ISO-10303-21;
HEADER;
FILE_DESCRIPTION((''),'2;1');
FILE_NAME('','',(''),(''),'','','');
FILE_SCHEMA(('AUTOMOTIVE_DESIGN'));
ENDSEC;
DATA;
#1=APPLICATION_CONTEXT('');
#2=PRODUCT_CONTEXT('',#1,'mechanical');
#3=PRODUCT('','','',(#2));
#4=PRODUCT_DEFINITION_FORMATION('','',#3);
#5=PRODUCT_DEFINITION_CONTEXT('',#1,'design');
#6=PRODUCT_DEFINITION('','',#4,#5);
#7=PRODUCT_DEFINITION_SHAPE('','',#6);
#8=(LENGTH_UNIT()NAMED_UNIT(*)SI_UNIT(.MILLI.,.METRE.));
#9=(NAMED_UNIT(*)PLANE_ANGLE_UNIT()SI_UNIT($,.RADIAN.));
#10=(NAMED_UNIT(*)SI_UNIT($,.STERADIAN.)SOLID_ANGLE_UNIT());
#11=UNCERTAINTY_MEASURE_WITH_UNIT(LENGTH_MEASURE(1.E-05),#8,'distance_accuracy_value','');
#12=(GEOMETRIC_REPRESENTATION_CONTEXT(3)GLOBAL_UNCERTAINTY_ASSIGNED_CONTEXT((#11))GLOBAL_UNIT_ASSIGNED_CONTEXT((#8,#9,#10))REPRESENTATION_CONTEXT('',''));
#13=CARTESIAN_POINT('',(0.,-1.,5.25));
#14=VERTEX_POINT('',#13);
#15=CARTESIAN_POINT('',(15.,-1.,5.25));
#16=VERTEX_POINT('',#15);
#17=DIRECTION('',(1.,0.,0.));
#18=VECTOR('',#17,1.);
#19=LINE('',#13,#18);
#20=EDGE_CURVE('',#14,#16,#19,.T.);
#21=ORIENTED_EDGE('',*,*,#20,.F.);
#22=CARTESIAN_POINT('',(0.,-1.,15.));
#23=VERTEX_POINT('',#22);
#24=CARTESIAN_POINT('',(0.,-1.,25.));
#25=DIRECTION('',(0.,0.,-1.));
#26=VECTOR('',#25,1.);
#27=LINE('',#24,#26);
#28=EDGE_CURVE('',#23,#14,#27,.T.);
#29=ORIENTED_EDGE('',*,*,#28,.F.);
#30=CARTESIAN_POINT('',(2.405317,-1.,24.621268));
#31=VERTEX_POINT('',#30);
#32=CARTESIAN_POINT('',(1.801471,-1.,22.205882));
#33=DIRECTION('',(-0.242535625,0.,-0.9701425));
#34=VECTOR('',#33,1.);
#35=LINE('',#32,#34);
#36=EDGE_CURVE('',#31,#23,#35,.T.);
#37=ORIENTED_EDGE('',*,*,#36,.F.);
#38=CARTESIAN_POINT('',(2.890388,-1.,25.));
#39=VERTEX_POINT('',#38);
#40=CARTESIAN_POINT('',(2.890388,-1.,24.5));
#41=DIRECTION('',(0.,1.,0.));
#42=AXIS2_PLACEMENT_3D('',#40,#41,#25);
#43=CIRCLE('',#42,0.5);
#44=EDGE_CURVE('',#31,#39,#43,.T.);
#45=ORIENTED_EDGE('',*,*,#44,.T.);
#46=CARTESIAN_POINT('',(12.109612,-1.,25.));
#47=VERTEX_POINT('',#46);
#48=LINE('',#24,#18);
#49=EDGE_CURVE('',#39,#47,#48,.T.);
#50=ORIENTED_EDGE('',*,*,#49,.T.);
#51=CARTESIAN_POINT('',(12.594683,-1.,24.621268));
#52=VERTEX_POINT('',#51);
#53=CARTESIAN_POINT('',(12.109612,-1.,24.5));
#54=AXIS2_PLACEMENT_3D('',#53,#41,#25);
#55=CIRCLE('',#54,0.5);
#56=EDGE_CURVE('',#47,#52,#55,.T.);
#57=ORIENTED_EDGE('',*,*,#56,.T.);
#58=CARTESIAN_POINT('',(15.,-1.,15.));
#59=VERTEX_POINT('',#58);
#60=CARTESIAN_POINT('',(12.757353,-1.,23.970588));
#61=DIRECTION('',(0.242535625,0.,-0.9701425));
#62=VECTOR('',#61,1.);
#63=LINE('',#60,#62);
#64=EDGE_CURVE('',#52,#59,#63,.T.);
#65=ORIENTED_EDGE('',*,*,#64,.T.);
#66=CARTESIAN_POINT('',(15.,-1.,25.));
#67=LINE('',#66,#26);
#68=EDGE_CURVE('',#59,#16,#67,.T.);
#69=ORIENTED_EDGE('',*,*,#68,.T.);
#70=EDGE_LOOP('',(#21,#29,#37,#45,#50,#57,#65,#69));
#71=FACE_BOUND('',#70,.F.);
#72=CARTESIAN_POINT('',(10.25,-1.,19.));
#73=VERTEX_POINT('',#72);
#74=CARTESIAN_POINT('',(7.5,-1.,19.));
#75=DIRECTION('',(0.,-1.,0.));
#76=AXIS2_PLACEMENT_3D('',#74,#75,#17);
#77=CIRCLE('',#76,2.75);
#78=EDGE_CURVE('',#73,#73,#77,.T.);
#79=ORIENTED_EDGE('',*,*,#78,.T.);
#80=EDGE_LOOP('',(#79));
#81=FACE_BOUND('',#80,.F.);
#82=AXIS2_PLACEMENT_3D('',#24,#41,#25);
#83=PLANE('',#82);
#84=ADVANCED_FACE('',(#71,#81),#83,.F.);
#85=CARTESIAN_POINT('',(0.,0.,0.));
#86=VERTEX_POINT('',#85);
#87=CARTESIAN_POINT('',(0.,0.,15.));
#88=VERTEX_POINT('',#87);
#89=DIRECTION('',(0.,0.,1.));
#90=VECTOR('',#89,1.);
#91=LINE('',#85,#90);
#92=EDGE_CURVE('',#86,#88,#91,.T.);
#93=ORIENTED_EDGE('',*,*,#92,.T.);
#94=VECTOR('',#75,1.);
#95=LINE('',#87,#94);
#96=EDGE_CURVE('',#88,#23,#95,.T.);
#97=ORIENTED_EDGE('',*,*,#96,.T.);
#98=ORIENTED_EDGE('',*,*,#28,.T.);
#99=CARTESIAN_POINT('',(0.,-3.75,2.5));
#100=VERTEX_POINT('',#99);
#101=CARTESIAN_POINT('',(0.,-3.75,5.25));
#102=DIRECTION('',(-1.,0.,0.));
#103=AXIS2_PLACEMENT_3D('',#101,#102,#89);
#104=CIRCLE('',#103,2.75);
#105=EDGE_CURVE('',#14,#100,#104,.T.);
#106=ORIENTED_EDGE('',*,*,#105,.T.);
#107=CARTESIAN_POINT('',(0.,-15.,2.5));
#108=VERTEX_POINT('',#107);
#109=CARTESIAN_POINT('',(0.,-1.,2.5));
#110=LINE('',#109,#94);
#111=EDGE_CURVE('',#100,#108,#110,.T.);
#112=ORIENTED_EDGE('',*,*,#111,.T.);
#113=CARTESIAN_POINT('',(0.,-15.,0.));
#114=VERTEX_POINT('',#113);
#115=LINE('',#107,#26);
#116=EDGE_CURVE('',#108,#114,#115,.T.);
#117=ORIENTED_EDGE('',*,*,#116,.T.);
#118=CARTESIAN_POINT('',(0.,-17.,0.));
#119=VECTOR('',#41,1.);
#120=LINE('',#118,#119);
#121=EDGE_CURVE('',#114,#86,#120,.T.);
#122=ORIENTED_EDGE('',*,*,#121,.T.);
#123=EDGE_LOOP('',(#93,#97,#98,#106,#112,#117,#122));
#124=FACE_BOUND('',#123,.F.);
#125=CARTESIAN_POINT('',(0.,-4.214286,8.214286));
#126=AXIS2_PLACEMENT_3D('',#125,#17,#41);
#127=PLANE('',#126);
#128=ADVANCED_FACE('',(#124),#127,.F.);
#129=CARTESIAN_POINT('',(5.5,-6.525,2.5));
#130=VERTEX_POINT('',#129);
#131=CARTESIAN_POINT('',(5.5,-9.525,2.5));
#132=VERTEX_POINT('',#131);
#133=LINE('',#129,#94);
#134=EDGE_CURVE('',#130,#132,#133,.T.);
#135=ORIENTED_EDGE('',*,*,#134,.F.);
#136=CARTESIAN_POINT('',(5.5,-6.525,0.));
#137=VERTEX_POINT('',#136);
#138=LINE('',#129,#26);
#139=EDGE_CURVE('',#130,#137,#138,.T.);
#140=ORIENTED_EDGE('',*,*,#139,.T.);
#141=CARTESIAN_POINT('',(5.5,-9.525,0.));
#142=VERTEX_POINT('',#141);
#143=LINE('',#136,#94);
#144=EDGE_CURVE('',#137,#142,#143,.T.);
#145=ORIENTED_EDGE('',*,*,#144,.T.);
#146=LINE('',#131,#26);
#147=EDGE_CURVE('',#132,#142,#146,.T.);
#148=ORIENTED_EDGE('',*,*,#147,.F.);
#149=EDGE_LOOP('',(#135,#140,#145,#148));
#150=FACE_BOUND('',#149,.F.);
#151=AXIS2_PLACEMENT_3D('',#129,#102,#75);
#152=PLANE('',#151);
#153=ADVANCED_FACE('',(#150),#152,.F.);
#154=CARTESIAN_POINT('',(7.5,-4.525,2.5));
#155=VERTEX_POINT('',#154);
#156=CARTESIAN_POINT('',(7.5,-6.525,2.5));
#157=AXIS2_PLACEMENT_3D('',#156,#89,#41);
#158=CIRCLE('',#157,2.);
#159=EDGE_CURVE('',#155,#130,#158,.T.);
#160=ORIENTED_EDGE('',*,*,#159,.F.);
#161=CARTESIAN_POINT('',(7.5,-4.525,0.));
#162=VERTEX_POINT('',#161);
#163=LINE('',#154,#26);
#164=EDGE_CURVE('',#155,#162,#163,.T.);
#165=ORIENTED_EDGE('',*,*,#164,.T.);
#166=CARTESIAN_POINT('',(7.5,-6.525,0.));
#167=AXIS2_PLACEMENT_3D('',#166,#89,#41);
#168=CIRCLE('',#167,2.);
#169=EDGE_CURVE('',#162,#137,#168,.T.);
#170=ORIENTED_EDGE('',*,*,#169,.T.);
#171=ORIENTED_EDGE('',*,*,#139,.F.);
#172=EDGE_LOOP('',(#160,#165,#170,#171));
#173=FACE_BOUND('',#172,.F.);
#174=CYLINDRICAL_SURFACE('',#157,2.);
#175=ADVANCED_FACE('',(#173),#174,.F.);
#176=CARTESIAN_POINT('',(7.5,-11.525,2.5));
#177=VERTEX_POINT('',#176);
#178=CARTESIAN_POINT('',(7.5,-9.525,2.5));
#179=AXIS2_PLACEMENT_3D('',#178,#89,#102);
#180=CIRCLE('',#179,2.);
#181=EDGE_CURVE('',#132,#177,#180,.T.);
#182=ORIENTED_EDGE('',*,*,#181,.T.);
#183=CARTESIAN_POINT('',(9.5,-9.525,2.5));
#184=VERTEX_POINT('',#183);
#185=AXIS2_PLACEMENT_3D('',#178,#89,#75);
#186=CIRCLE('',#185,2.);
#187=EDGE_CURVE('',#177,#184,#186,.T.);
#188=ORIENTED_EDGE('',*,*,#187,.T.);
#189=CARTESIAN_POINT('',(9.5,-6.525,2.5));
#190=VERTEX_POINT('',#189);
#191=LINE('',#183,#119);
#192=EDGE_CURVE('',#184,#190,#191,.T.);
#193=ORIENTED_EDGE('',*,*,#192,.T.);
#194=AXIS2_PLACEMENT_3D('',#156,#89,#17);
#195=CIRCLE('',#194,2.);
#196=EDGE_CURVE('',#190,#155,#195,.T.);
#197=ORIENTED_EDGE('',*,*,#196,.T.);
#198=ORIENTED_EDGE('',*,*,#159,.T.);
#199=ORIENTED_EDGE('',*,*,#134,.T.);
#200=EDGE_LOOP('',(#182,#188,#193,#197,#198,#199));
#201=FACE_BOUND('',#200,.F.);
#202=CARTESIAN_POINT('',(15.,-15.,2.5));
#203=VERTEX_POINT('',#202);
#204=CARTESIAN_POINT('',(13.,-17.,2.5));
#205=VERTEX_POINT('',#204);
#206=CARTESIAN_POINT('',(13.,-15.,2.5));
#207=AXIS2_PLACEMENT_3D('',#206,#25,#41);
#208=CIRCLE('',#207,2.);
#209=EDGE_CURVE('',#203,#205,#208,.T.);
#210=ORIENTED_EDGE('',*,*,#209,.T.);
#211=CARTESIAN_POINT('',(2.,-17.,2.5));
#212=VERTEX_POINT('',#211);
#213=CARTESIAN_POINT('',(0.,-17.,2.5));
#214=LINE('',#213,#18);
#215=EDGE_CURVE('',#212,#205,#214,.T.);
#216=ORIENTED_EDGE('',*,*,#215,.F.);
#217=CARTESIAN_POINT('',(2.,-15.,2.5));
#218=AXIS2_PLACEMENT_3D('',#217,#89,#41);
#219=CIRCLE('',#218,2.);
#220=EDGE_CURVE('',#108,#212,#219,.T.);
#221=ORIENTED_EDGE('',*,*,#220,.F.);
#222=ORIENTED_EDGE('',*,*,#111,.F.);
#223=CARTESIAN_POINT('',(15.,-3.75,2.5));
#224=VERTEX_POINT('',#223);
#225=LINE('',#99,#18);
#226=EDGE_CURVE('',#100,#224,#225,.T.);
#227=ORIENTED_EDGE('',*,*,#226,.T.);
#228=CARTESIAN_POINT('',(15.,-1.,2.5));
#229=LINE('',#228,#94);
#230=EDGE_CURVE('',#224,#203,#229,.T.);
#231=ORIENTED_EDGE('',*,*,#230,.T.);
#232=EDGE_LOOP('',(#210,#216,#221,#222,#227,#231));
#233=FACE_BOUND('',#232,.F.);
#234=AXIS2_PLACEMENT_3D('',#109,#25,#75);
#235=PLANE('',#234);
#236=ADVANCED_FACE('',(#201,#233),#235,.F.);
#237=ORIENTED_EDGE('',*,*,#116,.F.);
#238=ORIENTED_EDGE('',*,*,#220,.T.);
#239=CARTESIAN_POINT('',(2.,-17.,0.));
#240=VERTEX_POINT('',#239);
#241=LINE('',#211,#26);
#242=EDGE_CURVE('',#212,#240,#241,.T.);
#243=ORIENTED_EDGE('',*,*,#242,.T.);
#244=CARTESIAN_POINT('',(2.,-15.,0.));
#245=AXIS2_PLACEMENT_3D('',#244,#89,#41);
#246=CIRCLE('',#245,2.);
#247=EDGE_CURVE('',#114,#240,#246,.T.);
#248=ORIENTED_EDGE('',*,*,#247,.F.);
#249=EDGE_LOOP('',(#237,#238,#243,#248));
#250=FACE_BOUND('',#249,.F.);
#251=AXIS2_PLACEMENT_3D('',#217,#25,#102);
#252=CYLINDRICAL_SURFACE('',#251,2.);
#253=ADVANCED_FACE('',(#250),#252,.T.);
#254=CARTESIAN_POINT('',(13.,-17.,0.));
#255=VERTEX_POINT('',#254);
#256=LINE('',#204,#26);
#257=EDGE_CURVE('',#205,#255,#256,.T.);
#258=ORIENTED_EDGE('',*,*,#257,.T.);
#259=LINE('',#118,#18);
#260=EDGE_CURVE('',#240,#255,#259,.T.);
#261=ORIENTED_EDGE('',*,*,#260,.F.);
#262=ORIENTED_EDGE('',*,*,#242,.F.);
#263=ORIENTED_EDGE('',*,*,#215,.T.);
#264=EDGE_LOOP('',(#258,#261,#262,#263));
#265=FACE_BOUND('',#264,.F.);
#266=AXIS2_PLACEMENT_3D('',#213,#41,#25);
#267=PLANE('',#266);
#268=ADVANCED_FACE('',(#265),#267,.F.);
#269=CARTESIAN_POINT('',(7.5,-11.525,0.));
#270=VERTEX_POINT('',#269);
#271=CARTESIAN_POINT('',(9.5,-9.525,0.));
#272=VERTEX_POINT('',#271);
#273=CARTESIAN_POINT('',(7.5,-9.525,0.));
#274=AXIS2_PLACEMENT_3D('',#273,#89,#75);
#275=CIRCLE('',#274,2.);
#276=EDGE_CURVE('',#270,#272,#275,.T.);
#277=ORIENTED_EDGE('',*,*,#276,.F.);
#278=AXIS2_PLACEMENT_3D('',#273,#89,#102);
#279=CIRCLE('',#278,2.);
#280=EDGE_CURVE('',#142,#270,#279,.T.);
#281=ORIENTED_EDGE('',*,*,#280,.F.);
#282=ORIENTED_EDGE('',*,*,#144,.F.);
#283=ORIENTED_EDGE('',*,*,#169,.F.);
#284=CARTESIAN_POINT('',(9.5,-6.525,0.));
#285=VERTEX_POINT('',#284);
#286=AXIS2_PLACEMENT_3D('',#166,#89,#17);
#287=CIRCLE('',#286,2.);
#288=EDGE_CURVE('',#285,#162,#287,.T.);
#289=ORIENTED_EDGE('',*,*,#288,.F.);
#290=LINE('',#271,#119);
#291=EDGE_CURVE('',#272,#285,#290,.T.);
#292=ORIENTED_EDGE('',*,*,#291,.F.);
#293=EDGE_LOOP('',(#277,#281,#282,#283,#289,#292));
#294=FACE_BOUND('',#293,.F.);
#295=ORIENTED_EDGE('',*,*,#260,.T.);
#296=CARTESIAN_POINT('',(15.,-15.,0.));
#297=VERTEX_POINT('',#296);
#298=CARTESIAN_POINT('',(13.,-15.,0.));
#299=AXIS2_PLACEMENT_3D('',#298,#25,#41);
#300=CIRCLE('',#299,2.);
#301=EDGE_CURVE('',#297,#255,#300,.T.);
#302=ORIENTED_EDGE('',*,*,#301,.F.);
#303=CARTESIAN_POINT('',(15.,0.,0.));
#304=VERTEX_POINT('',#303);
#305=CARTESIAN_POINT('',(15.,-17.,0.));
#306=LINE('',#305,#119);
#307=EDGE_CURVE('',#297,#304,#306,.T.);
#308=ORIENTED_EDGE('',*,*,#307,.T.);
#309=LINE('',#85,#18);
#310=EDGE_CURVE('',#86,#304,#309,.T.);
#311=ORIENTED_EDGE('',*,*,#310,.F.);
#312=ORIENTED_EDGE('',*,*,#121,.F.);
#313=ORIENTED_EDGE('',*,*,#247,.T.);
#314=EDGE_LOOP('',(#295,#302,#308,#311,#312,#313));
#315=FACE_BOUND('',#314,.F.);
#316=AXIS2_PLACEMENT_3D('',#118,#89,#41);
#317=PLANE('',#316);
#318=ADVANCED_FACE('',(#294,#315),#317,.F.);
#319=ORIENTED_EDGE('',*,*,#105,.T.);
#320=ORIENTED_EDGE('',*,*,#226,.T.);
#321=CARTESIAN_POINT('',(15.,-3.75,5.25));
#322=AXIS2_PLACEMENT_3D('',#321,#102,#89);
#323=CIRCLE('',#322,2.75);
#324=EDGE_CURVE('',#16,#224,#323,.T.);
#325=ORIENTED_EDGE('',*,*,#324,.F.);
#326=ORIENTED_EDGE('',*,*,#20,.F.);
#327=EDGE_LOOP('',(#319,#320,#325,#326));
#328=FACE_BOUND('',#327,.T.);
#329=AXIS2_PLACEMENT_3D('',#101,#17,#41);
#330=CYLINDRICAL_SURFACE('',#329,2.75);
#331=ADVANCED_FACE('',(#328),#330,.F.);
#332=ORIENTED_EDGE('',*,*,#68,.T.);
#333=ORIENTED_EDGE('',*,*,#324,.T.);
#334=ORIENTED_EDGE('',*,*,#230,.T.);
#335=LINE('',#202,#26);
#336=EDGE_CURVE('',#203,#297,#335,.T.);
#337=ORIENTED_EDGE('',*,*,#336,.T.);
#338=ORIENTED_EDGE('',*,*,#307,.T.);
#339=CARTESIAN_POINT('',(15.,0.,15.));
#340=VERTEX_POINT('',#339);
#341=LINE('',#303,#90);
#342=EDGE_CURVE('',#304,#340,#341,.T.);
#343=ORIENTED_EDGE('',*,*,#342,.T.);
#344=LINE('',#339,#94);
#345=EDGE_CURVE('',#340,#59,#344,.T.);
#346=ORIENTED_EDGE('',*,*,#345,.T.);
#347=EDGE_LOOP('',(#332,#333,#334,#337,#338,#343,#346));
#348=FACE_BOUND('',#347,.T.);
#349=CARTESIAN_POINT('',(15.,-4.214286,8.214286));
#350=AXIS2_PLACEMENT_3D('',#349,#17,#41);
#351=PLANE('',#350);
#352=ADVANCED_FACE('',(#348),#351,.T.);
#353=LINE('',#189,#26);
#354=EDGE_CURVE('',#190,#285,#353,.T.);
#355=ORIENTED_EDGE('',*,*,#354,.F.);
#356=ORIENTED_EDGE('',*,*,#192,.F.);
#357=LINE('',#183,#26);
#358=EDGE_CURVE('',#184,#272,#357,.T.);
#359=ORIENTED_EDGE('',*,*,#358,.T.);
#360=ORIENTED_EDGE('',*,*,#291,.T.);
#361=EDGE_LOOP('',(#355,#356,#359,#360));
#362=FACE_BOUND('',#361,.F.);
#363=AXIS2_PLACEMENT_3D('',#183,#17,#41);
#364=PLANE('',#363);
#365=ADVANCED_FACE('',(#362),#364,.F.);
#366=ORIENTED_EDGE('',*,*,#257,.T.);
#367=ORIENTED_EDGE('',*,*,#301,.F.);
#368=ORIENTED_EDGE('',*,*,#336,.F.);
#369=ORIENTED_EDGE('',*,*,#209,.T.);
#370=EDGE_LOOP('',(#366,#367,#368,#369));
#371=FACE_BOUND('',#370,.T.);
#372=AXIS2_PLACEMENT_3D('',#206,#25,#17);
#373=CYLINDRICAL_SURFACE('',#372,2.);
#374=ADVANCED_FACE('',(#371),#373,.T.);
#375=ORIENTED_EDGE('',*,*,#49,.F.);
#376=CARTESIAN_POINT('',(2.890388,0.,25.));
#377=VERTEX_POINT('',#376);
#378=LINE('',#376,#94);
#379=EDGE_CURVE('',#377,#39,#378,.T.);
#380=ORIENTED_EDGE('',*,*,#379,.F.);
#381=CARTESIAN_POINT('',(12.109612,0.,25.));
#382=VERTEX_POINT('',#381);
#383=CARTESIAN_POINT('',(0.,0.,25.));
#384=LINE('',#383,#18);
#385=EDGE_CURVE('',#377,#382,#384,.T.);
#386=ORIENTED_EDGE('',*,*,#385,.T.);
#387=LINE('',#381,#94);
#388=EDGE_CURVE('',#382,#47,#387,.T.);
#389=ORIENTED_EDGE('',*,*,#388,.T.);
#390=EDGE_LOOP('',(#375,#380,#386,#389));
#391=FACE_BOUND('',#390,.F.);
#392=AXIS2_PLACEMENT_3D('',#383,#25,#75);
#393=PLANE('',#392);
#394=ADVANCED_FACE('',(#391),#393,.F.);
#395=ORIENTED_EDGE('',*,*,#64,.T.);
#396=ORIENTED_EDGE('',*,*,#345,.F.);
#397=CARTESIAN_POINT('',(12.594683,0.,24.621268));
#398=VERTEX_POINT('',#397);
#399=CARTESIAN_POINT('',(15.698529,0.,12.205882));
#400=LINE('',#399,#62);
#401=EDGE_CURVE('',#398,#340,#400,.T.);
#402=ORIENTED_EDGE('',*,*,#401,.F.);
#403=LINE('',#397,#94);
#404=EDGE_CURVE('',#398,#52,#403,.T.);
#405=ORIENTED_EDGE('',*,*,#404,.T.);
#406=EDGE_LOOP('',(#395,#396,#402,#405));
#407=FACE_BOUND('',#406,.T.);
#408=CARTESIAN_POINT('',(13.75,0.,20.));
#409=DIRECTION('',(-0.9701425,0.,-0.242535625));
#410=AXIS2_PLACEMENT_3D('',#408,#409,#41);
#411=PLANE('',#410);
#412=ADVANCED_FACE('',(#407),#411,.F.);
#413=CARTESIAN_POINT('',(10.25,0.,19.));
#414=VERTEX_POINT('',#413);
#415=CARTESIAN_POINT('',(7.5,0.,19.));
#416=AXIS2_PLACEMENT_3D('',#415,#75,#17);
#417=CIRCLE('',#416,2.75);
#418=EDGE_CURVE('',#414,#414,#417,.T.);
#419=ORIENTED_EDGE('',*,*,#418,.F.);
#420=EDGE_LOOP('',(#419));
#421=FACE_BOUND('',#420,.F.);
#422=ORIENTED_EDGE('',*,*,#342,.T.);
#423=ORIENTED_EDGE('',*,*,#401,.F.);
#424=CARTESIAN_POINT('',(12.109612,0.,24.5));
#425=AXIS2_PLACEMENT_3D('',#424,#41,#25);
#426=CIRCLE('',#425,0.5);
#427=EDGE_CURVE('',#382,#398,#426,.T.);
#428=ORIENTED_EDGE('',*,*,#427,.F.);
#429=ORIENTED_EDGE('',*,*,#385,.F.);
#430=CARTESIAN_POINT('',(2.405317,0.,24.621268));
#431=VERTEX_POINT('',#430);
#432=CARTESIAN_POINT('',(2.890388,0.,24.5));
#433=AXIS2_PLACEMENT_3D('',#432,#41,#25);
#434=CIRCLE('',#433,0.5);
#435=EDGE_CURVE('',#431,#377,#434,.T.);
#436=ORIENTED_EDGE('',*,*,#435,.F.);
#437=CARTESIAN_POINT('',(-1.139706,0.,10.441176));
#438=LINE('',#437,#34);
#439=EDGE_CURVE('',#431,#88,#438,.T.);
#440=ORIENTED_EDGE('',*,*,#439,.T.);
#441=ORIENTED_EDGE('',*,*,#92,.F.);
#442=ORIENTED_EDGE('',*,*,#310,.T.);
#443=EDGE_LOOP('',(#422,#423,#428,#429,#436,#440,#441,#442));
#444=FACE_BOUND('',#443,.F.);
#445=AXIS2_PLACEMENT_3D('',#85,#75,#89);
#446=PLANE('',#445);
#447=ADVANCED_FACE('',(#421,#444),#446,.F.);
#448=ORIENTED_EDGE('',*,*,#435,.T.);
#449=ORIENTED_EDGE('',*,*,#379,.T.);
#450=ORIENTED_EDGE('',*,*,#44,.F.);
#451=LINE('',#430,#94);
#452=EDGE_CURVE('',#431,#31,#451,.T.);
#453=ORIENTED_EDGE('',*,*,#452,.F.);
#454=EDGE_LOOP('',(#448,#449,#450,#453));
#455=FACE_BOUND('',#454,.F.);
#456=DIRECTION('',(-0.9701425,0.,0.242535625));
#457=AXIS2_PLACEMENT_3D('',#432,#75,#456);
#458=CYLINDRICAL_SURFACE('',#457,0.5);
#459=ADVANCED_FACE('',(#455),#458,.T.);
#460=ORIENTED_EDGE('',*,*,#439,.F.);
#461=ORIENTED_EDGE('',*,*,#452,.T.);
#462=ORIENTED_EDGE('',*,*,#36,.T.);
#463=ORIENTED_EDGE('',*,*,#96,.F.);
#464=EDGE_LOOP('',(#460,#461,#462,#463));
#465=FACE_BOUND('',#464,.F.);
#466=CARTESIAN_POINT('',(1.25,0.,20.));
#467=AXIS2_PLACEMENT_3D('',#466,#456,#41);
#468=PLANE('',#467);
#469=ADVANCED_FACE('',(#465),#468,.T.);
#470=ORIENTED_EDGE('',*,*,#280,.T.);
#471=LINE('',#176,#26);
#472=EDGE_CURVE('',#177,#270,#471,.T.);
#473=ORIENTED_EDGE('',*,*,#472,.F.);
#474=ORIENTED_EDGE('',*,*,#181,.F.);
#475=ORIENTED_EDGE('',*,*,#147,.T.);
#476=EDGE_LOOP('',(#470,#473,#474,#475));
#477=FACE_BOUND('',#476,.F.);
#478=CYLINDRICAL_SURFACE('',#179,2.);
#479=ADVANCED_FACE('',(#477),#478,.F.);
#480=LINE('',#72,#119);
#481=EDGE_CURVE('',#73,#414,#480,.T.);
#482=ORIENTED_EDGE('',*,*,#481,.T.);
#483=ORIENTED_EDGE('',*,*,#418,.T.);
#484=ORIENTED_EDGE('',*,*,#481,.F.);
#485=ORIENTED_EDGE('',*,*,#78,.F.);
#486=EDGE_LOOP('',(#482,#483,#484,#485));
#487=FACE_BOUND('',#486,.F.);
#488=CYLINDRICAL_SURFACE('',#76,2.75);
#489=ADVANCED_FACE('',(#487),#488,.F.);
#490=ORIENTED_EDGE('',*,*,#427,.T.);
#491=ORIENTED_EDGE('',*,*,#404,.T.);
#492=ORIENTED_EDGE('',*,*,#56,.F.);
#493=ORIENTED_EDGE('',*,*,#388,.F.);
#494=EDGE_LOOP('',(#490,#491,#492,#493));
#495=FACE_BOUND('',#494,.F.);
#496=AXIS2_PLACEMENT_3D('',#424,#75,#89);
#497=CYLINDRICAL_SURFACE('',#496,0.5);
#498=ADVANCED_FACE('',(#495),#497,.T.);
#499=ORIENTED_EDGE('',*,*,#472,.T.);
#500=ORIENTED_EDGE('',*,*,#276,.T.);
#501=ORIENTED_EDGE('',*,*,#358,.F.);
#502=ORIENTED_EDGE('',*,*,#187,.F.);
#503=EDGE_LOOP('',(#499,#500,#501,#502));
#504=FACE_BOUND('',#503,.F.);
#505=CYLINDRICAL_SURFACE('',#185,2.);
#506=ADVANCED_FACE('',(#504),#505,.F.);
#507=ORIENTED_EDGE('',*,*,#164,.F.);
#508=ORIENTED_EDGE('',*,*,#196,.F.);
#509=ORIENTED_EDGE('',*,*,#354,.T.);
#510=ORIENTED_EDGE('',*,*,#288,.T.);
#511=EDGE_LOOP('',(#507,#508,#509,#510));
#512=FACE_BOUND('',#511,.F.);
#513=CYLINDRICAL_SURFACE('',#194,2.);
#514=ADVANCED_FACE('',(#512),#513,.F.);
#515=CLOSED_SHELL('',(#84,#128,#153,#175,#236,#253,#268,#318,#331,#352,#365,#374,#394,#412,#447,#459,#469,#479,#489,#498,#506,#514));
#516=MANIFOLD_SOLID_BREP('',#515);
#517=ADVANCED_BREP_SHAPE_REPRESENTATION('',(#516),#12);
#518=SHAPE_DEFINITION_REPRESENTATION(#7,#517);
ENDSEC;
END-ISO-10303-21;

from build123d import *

# Parameters (mm, degrees)
F1_DEPTH = 15
F2_R     = 2.75
F3_R     = 2
F5_DEPTH = 2.5
F6_SIZE2 = 10
F6_SIZE  = 2.5
F7_R     = 2.75
F8_DEPTH = 3
F9_R     = 0.5


with BuildPart() as f1:
    # F0 (on Right) → F1 (new body)
    with BuildSketch(Plane.YZ):
        Polygon((-17, 0), (0, 0), (0, 25), (-1, 25), (-1, 2.5), (-17, 2.5), align=None)
    extrude(amount=F1_DEPTH)

    # F2
    f2_edges = [f1.edges().sort_by_distance(p)[0] for p in [
        (7.5, -1, 2.5),
    ]]
    fillet(f2_edges, radius=F2_R)

    # F3
    f3_edges = [f1.edges().sort_by_distance(p)[0] for p in [
        (15, -17, 1.25),
        (0, -17, 1.25),
    ]]
    fillet(f3_edges, radius=F3_R)

    # F4 (on face) → F5 (cut)
    with BuildSketch(Plane.XY.offset(2.5)):
        with BuildLine():
            Line((9.5, -9.525), (9.5, -6.525))
            ThreePointArc((9.5, -6.525), (8.9142135624, -5.1107864376), (7.5, -4.525))
            ThreePointArc((7.5, -4.525), (6.0857864376, -5.1107864376), (5.5, -6.525))
            Line((5.5, -6.525), (5.5, -9.525))
            ThreePointArc((5.5, -9.525), (6.0857864376, -10.9392135624), (7.5, -11.525))
            ThreePointArc((7.5, -11.525), (8.9142135624, -10.9392135624), (9.5, -9.525))
        make_face()
    extrude(amount=-F5_DEPTH, mode=Mode.SUBTRACT)

    # F6
    f6_edges = [f1.edges().sort_by_distance(p)[0] for p in [
        (15, -0.5, 25),
        (0, -0.5, 25),
    ]]
    f6_side = f1.faces().sort_by_distance((7.5, -0.5, 25))[0]
    chamfer(f6_edges, length=F6_SIZE, length2=F6_SIZE2, reference=f6_side)

    # F7 (on face) → F8 (cut)
    with BuildSketch(Plane.XZ.offset(1)):
        with Locations((7.5, 19)):
            Circle(F7_R)
    extrude(amount=-F8_DEPTH, mode=Mode.SUBTRACT)

    # F9
    f9_edges = [f1.edges().sort_by_distance(p)[0] for p in [
        (12.5, -0.5, 25),
        (2.5, -0.5, 25),
    ]]
    fillet(f9_edges, radius=F9_R)


solid = f1.part
